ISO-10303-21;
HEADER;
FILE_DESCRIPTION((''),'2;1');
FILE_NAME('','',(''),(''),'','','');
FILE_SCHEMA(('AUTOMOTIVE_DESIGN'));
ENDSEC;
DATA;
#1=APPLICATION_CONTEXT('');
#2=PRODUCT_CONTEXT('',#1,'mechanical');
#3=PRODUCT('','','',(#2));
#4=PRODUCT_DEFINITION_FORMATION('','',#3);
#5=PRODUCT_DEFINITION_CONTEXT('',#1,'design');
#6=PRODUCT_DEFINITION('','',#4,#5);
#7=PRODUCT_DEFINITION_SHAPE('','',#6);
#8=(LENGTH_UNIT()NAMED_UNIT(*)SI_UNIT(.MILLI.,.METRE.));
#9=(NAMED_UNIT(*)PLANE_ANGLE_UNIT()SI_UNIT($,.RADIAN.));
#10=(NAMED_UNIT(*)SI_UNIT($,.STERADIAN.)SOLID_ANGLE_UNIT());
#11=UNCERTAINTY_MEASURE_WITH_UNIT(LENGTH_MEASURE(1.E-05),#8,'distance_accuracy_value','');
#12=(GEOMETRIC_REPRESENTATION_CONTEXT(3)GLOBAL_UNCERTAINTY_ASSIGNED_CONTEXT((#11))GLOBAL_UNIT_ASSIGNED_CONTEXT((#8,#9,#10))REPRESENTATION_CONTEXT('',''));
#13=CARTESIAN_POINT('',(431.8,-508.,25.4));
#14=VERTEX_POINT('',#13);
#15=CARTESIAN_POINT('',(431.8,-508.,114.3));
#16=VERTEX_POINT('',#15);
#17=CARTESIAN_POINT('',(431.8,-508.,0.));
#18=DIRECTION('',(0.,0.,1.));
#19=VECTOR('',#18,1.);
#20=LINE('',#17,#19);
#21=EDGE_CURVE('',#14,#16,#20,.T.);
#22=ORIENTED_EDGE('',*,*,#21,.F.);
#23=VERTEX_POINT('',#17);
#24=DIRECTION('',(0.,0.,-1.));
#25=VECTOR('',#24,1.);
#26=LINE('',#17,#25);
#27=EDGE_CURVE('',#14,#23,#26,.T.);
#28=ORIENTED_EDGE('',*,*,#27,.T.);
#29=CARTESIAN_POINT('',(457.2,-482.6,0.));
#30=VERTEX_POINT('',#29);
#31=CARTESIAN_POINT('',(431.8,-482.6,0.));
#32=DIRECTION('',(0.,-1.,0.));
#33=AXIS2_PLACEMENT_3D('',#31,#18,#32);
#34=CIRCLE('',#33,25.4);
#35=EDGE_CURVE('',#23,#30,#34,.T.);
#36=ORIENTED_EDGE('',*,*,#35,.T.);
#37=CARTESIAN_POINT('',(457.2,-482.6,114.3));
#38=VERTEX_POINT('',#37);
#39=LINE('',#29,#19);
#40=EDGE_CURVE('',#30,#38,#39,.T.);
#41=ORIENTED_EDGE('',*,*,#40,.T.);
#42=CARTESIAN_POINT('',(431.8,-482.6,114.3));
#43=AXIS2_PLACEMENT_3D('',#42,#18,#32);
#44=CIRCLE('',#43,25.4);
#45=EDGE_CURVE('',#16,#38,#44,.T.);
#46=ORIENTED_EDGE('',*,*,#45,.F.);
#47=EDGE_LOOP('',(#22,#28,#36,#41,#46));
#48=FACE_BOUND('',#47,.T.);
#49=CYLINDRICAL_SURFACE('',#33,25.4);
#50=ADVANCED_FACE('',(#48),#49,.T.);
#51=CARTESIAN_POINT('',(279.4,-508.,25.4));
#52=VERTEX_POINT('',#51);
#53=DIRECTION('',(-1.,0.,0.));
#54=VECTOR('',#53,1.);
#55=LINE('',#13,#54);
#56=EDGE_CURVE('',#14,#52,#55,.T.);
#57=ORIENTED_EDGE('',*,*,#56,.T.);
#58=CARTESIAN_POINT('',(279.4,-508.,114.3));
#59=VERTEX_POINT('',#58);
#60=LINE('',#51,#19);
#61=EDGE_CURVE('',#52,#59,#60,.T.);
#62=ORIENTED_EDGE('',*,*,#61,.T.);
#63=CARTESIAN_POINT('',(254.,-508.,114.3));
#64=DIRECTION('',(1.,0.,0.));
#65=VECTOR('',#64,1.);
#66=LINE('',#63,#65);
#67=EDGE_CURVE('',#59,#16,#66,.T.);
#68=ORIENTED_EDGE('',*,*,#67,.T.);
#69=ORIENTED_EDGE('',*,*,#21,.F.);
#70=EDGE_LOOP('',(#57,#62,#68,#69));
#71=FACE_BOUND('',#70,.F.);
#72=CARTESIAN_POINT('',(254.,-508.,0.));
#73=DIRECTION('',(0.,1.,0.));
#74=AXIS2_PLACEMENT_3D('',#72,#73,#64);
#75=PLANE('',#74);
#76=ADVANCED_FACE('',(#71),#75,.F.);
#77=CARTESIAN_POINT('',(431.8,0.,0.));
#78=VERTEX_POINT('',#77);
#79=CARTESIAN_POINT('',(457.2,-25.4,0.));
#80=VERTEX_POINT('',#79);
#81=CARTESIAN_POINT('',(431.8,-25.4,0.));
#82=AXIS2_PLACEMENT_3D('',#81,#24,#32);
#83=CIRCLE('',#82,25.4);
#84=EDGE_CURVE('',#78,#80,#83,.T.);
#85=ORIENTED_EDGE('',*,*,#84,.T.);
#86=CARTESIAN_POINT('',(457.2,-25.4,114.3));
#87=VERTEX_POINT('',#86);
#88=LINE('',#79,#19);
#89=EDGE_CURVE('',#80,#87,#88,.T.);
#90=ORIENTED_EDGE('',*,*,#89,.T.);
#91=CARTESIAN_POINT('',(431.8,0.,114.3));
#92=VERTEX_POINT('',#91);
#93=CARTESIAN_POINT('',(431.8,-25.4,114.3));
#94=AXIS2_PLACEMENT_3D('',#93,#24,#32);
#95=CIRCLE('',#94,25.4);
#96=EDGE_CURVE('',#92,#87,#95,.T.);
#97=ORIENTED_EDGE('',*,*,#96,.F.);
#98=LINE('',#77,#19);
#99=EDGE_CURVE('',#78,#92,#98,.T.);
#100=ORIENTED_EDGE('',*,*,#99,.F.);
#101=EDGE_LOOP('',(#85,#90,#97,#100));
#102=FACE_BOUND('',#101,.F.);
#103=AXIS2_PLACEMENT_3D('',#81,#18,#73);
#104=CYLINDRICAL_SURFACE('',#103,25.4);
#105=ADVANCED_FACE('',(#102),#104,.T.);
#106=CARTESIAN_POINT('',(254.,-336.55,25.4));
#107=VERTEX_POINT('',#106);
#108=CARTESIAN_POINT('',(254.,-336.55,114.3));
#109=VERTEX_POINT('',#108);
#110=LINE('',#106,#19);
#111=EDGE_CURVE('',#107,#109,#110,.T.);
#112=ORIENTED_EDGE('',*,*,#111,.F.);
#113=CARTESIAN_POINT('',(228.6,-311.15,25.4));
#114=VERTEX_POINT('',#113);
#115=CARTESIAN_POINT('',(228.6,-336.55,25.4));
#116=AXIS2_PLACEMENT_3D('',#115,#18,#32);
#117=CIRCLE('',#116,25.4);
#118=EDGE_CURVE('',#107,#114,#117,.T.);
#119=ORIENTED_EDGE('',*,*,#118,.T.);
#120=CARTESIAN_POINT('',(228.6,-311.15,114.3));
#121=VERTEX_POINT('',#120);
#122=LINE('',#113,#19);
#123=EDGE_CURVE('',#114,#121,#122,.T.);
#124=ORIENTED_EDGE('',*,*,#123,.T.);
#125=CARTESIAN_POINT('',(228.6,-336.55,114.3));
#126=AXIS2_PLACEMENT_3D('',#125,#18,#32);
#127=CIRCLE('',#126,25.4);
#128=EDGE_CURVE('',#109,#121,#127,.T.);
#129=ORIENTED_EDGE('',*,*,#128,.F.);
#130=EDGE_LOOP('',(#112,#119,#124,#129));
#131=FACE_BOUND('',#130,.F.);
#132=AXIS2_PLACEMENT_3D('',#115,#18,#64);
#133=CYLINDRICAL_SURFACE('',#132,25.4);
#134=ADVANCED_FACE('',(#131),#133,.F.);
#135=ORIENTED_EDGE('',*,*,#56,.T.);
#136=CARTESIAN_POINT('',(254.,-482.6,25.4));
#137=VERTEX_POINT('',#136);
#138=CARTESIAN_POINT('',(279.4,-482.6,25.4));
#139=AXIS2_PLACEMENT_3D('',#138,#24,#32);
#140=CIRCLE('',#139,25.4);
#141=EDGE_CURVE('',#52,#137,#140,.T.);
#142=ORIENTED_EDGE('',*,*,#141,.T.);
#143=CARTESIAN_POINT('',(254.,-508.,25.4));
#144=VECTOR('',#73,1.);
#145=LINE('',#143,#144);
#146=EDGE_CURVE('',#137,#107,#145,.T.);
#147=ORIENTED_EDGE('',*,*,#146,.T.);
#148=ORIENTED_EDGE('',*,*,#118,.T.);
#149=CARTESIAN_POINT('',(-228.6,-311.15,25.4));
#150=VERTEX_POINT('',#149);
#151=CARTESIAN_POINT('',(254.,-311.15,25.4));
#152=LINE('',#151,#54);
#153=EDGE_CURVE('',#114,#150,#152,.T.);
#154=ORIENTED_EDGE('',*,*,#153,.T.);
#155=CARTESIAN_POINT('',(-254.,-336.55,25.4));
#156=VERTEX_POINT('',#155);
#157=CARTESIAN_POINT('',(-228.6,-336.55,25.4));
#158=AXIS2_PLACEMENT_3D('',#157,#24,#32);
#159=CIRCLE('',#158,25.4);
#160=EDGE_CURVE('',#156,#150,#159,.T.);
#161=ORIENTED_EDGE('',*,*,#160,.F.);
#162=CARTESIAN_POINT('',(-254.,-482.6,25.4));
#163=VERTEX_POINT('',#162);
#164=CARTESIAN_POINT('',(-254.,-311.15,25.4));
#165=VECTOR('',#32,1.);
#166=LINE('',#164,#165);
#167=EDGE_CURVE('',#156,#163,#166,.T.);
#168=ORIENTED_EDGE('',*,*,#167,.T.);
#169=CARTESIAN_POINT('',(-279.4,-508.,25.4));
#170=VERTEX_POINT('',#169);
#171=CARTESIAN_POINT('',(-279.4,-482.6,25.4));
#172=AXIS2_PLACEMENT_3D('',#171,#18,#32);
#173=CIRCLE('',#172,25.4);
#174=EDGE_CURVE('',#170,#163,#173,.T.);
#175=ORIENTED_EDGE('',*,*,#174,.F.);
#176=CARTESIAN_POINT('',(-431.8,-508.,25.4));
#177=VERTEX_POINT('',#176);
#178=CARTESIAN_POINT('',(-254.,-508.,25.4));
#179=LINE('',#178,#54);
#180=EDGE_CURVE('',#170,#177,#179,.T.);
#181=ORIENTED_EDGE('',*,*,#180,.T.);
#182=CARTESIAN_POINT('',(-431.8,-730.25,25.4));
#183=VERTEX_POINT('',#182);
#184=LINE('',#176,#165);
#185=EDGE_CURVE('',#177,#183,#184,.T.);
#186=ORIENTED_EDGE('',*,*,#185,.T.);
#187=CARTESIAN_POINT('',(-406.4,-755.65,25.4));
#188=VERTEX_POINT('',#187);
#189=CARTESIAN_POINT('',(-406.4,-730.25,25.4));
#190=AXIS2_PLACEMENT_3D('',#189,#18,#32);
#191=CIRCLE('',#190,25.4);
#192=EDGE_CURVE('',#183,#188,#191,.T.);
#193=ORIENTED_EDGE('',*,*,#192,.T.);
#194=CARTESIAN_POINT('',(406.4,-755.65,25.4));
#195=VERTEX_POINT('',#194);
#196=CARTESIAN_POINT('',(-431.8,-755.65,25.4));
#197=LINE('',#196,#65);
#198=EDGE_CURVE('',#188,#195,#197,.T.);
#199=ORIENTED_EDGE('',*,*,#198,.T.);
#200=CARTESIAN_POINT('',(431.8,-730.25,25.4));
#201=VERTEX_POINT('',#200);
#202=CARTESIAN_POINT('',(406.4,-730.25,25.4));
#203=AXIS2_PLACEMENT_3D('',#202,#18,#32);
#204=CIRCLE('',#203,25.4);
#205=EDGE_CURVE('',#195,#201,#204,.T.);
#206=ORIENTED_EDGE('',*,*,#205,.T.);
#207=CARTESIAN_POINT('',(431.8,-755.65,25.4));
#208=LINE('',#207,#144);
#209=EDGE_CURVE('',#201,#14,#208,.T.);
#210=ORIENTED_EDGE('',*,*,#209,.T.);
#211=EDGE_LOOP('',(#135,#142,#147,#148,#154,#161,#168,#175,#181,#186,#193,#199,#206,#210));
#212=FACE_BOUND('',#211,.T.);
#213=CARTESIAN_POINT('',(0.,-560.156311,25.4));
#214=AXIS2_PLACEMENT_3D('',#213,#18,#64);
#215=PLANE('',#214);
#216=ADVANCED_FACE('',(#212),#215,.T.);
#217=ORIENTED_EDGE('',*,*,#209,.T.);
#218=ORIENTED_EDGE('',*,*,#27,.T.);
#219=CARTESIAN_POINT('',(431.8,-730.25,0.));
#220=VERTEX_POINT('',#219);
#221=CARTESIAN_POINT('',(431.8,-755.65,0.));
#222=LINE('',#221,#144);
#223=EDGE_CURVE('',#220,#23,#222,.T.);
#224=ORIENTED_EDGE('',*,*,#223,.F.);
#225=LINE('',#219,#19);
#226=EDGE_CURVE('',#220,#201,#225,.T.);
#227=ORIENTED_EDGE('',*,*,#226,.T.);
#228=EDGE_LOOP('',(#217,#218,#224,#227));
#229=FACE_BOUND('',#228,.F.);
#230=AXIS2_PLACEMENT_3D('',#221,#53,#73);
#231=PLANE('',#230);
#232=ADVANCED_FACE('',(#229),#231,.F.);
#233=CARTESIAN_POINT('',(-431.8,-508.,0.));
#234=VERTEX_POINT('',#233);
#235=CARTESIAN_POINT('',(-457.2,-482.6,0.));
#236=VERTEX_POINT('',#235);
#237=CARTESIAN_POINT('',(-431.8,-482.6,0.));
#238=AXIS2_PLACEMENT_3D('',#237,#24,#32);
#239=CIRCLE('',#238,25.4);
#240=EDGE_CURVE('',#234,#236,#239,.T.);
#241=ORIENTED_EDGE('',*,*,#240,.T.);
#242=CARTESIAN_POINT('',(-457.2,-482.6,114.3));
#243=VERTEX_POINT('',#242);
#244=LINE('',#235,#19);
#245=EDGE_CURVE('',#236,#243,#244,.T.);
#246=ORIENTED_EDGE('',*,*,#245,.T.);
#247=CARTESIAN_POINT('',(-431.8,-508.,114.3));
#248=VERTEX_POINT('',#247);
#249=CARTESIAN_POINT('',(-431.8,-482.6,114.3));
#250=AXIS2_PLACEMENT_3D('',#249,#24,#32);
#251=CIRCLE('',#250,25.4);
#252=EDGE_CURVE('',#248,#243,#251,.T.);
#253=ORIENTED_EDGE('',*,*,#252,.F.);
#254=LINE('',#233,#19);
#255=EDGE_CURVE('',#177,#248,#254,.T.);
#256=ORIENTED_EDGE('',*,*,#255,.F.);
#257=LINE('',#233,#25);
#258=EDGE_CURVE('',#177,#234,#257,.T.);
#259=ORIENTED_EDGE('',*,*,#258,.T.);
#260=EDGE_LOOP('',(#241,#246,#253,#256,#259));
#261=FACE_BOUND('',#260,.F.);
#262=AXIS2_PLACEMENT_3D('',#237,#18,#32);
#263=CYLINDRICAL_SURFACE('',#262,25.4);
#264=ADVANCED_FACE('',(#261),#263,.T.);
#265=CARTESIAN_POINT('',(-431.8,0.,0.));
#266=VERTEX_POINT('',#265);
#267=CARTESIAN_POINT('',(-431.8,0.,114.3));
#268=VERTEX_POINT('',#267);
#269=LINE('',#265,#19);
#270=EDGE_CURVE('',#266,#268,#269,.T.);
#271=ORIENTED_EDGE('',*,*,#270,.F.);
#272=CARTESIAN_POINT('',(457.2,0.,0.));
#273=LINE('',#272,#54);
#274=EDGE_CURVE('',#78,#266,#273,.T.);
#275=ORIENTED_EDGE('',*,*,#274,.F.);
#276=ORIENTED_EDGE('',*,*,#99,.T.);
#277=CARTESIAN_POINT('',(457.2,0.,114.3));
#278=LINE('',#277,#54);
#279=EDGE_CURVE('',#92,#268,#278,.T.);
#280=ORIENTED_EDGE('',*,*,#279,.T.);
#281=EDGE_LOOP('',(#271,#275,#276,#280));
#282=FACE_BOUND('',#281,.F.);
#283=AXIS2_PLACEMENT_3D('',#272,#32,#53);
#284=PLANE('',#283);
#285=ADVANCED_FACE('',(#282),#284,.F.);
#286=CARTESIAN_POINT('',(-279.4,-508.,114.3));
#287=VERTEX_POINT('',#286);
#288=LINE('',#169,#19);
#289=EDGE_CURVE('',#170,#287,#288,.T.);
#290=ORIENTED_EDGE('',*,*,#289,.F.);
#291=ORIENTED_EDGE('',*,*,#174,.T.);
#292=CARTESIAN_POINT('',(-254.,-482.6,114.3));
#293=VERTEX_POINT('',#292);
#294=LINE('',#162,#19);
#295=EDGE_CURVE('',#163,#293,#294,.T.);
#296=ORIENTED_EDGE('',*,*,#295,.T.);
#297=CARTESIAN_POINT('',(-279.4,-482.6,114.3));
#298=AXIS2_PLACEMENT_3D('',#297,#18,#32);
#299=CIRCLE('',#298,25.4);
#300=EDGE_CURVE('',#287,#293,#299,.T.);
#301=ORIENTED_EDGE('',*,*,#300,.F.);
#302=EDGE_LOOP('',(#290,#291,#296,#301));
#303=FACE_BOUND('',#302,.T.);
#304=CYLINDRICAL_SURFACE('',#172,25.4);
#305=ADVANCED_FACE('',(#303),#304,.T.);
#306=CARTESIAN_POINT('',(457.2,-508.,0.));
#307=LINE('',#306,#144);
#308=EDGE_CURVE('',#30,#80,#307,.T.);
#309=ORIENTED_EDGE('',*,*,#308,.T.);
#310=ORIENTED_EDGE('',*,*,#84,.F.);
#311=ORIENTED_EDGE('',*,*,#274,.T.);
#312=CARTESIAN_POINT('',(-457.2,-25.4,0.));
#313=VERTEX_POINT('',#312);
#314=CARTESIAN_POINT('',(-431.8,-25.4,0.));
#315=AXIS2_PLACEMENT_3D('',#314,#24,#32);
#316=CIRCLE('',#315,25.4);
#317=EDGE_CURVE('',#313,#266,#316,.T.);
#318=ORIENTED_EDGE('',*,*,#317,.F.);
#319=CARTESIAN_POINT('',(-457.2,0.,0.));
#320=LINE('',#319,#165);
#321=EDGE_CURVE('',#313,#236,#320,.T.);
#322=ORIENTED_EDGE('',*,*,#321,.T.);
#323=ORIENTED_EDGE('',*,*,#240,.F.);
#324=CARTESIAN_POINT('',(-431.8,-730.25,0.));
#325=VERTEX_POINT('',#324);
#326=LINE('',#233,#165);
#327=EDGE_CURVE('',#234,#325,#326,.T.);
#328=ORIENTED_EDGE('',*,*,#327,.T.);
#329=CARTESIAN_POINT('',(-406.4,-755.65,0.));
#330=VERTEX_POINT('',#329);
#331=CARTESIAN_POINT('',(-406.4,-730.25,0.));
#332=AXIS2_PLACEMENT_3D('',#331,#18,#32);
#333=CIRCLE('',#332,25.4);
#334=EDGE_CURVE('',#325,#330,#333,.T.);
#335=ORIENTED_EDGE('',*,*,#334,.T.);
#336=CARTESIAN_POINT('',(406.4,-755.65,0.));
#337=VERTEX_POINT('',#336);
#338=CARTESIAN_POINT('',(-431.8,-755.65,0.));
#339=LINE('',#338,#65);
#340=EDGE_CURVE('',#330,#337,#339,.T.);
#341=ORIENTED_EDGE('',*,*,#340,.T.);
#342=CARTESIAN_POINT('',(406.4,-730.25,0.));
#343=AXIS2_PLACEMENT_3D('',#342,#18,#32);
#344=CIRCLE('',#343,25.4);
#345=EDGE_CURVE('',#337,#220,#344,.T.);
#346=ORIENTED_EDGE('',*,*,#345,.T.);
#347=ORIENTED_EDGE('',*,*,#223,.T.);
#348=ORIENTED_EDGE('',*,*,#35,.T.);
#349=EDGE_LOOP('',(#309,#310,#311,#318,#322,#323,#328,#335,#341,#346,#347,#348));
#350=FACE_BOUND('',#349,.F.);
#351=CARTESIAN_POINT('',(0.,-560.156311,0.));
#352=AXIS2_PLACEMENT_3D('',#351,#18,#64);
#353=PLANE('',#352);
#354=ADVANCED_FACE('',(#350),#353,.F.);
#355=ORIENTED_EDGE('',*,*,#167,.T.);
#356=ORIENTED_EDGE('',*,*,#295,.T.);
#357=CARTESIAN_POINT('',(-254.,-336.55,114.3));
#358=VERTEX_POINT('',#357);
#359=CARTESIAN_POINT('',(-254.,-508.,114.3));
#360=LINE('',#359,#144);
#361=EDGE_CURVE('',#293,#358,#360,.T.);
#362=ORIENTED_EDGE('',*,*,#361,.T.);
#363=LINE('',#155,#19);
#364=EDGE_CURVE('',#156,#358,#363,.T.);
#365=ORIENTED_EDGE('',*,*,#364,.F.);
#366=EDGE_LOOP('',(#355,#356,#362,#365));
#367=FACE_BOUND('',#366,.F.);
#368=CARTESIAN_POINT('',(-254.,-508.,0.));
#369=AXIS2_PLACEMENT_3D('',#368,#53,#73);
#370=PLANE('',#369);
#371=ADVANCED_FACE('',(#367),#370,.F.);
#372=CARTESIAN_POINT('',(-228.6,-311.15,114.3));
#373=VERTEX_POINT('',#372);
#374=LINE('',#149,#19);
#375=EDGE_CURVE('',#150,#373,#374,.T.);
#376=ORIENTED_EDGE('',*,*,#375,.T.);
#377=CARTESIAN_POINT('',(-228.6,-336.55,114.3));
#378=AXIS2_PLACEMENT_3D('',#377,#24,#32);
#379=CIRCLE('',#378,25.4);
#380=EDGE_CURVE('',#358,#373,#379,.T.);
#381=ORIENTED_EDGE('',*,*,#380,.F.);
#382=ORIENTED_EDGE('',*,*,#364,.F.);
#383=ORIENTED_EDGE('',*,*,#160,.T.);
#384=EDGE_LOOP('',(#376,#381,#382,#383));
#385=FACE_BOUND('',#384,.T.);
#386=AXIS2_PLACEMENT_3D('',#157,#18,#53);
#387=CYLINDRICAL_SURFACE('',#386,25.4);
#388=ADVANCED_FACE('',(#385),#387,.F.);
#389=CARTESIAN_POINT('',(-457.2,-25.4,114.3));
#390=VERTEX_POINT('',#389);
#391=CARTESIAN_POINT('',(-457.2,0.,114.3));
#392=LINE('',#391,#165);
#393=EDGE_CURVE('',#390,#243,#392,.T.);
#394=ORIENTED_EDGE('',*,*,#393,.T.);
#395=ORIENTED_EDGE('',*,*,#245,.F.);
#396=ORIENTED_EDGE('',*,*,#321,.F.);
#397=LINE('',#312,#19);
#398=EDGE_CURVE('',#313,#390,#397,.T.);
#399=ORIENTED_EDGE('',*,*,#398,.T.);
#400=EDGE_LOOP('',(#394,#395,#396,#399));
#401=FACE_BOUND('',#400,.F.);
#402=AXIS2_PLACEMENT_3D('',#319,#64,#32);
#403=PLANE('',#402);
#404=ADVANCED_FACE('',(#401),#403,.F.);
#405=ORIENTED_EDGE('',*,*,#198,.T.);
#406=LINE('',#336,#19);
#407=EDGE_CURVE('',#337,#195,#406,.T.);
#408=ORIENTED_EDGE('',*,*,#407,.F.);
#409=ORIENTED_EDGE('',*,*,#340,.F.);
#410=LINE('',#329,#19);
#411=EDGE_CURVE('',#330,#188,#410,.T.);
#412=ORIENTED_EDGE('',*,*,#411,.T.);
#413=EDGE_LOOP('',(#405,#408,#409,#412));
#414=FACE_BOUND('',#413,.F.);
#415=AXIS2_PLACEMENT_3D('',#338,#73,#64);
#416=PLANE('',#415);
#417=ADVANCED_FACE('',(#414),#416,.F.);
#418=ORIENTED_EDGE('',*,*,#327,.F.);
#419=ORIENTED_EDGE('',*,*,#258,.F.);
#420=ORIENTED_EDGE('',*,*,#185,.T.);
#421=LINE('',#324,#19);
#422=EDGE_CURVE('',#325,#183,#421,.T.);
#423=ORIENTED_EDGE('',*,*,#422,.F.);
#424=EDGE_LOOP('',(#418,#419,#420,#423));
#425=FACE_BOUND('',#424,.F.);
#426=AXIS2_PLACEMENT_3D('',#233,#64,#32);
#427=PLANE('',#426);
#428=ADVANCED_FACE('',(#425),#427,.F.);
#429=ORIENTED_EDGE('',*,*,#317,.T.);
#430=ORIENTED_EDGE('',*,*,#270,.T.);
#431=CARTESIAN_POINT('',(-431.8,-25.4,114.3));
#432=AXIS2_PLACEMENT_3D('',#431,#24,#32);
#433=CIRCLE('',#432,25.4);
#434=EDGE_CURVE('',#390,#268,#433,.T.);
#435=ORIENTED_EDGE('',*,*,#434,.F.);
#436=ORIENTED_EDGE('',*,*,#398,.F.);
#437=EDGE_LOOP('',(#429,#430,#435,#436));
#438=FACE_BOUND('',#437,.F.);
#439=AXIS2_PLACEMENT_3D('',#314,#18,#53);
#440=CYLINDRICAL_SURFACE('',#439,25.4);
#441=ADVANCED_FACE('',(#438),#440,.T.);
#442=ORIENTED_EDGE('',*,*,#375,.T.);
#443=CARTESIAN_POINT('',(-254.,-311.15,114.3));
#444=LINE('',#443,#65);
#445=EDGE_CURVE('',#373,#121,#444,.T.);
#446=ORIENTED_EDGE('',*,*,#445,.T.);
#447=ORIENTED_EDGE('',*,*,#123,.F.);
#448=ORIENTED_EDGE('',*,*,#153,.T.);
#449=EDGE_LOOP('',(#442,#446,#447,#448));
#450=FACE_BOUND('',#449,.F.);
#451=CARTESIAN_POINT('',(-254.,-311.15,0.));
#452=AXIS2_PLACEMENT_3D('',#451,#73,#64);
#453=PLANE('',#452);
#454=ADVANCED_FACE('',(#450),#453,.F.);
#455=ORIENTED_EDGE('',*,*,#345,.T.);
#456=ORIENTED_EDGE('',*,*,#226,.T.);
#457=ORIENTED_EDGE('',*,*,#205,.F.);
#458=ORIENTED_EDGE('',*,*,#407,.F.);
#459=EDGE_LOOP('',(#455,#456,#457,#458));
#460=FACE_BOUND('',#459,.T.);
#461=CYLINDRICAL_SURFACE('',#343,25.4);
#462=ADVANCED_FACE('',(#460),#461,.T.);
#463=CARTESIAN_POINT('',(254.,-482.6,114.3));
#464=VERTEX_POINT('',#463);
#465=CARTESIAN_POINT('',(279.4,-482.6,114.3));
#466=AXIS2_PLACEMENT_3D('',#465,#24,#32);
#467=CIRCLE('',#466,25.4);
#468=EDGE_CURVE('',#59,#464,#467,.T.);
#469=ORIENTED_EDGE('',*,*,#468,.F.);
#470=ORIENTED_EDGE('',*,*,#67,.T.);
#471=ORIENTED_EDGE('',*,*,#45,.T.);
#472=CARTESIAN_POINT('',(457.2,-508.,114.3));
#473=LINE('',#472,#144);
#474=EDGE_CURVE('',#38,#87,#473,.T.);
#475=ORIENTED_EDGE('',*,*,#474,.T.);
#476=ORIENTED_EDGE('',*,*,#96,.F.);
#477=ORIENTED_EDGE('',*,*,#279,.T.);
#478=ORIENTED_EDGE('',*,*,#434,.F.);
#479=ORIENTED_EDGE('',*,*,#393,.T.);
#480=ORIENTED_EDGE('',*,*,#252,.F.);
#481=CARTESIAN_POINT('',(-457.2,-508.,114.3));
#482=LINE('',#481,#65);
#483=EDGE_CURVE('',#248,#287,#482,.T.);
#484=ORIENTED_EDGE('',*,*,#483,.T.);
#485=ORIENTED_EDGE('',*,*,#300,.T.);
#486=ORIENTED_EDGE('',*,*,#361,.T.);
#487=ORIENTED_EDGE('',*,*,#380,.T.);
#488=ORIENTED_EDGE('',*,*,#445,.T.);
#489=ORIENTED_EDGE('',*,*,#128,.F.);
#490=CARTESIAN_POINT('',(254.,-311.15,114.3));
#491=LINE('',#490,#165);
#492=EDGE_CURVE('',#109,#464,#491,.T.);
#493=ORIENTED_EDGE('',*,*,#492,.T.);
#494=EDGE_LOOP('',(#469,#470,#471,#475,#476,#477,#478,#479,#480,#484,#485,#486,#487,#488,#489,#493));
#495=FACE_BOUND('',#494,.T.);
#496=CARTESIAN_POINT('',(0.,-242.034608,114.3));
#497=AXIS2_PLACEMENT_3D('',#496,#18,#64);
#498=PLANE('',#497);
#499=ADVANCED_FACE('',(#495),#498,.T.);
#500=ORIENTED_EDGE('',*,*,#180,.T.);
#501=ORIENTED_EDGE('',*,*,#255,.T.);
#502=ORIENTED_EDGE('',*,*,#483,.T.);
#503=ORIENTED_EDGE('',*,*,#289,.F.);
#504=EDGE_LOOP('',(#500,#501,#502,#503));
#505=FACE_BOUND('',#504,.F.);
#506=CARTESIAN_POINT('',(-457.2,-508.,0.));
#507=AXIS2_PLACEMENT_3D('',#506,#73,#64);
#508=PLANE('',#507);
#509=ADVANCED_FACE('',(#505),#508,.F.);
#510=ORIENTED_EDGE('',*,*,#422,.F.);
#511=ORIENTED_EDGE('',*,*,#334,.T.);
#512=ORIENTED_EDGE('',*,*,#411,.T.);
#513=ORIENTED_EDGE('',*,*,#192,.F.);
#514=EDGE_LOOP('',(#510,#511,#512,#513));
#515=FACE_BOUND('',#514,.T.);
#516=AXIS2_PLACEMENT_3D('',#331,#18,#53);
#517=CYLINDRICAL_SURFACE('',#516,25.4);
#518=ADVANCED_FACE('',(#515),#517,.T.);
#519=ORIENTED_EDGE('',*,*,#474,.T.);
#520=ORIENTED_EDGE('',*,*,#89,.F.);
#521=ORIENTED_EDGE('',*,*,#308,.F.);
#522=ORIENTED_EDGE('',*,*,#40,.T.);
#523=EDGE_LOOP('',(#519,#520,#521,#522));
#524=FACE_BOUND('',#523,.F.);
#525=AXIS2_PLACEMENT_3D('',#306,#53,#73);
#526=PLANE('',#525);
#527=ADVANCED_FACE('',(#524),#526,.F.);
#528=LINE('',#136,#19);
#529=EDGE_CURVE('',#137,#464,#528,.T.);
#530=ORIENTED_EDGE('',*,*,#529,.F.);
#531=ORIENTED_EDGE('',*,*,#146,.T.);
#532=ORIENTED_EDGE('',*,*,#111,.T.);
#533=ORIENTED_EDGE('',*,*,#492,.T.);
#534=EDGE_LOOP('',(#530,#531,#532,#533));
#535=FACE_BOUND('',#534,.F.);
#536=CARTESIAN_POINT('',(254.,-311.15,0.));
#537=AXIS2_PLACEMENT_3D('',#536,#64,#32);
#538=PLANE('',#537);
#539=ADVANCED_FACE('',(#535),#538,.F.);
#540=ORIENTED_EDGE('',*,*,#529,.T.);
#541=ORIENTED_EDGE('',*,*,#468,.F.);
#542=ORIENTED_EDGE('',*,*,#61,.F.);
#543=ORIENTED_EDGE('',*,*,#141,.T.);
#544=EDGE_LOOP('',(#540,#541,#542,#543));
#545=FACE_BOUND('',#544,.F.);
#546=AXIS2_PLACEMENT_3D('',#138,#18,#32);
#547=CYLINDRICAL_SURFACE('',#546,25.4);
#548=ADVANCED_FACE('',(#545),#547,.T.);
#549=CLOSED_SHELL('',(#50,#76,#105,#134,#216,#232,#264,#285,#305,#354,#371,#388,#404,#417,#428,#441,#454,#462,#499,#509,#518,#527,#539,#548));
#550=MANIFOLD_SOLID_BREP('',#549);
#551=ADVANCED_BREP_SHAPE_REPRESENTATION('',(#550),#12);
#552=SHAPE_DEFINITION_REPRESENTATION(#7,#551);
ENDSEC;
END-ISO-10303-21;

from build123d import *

# Parameters (mm, degrees)
F1_DEPTH = 114.3
F2_DEPTH = 25.4
F3_R     = 25.4


with BuildPart() as f1:
    # F0 (on Top) → F1 (new body)
    with BuildSketch(Plane.XY):
        Polygon((457.2, 0), (-457.2, 0), (-457.2, -508), (-431.8, -508), (-254, -508), (-254, -311.15), (254, -311.15), (254, -508), (431.8, -508), (457.2, -508), align=None)
    extrude(amount=F1_DEPTH)

    # F0 (on Top) → F2 (join)
    with BuildSketch(Plane.XY):
        Polygon((-254, -508), (-431.8, -508), (-431.8, -755.65), (431.8, -755.65), (431.8, -508), (254, -508), (254, -311.15), (-254, -311.15), align=None)
    extrude(amount=F2_DEPTH)

    # F3
    f3_edges = [f1.edges().sort_by_distance(p)[0] for p in [
        (-457.2, -508, 57.15),
        (-431.8, -755.65, 12.7),
        (-254, -508, 69.85),
        (254, -311.15, 69.85),
        (254, -508, 69.85),
        (457.2, -508, 57.15),
        (431.8, -755.65, 12.7),
        (-254, -311.15, 69.85),
        (457.2, 0, 57.15),
        (-457.2, 0, 57.15),
    ]]
    fillet(f3_edges, radius=F3_R)


solid = f1.part
